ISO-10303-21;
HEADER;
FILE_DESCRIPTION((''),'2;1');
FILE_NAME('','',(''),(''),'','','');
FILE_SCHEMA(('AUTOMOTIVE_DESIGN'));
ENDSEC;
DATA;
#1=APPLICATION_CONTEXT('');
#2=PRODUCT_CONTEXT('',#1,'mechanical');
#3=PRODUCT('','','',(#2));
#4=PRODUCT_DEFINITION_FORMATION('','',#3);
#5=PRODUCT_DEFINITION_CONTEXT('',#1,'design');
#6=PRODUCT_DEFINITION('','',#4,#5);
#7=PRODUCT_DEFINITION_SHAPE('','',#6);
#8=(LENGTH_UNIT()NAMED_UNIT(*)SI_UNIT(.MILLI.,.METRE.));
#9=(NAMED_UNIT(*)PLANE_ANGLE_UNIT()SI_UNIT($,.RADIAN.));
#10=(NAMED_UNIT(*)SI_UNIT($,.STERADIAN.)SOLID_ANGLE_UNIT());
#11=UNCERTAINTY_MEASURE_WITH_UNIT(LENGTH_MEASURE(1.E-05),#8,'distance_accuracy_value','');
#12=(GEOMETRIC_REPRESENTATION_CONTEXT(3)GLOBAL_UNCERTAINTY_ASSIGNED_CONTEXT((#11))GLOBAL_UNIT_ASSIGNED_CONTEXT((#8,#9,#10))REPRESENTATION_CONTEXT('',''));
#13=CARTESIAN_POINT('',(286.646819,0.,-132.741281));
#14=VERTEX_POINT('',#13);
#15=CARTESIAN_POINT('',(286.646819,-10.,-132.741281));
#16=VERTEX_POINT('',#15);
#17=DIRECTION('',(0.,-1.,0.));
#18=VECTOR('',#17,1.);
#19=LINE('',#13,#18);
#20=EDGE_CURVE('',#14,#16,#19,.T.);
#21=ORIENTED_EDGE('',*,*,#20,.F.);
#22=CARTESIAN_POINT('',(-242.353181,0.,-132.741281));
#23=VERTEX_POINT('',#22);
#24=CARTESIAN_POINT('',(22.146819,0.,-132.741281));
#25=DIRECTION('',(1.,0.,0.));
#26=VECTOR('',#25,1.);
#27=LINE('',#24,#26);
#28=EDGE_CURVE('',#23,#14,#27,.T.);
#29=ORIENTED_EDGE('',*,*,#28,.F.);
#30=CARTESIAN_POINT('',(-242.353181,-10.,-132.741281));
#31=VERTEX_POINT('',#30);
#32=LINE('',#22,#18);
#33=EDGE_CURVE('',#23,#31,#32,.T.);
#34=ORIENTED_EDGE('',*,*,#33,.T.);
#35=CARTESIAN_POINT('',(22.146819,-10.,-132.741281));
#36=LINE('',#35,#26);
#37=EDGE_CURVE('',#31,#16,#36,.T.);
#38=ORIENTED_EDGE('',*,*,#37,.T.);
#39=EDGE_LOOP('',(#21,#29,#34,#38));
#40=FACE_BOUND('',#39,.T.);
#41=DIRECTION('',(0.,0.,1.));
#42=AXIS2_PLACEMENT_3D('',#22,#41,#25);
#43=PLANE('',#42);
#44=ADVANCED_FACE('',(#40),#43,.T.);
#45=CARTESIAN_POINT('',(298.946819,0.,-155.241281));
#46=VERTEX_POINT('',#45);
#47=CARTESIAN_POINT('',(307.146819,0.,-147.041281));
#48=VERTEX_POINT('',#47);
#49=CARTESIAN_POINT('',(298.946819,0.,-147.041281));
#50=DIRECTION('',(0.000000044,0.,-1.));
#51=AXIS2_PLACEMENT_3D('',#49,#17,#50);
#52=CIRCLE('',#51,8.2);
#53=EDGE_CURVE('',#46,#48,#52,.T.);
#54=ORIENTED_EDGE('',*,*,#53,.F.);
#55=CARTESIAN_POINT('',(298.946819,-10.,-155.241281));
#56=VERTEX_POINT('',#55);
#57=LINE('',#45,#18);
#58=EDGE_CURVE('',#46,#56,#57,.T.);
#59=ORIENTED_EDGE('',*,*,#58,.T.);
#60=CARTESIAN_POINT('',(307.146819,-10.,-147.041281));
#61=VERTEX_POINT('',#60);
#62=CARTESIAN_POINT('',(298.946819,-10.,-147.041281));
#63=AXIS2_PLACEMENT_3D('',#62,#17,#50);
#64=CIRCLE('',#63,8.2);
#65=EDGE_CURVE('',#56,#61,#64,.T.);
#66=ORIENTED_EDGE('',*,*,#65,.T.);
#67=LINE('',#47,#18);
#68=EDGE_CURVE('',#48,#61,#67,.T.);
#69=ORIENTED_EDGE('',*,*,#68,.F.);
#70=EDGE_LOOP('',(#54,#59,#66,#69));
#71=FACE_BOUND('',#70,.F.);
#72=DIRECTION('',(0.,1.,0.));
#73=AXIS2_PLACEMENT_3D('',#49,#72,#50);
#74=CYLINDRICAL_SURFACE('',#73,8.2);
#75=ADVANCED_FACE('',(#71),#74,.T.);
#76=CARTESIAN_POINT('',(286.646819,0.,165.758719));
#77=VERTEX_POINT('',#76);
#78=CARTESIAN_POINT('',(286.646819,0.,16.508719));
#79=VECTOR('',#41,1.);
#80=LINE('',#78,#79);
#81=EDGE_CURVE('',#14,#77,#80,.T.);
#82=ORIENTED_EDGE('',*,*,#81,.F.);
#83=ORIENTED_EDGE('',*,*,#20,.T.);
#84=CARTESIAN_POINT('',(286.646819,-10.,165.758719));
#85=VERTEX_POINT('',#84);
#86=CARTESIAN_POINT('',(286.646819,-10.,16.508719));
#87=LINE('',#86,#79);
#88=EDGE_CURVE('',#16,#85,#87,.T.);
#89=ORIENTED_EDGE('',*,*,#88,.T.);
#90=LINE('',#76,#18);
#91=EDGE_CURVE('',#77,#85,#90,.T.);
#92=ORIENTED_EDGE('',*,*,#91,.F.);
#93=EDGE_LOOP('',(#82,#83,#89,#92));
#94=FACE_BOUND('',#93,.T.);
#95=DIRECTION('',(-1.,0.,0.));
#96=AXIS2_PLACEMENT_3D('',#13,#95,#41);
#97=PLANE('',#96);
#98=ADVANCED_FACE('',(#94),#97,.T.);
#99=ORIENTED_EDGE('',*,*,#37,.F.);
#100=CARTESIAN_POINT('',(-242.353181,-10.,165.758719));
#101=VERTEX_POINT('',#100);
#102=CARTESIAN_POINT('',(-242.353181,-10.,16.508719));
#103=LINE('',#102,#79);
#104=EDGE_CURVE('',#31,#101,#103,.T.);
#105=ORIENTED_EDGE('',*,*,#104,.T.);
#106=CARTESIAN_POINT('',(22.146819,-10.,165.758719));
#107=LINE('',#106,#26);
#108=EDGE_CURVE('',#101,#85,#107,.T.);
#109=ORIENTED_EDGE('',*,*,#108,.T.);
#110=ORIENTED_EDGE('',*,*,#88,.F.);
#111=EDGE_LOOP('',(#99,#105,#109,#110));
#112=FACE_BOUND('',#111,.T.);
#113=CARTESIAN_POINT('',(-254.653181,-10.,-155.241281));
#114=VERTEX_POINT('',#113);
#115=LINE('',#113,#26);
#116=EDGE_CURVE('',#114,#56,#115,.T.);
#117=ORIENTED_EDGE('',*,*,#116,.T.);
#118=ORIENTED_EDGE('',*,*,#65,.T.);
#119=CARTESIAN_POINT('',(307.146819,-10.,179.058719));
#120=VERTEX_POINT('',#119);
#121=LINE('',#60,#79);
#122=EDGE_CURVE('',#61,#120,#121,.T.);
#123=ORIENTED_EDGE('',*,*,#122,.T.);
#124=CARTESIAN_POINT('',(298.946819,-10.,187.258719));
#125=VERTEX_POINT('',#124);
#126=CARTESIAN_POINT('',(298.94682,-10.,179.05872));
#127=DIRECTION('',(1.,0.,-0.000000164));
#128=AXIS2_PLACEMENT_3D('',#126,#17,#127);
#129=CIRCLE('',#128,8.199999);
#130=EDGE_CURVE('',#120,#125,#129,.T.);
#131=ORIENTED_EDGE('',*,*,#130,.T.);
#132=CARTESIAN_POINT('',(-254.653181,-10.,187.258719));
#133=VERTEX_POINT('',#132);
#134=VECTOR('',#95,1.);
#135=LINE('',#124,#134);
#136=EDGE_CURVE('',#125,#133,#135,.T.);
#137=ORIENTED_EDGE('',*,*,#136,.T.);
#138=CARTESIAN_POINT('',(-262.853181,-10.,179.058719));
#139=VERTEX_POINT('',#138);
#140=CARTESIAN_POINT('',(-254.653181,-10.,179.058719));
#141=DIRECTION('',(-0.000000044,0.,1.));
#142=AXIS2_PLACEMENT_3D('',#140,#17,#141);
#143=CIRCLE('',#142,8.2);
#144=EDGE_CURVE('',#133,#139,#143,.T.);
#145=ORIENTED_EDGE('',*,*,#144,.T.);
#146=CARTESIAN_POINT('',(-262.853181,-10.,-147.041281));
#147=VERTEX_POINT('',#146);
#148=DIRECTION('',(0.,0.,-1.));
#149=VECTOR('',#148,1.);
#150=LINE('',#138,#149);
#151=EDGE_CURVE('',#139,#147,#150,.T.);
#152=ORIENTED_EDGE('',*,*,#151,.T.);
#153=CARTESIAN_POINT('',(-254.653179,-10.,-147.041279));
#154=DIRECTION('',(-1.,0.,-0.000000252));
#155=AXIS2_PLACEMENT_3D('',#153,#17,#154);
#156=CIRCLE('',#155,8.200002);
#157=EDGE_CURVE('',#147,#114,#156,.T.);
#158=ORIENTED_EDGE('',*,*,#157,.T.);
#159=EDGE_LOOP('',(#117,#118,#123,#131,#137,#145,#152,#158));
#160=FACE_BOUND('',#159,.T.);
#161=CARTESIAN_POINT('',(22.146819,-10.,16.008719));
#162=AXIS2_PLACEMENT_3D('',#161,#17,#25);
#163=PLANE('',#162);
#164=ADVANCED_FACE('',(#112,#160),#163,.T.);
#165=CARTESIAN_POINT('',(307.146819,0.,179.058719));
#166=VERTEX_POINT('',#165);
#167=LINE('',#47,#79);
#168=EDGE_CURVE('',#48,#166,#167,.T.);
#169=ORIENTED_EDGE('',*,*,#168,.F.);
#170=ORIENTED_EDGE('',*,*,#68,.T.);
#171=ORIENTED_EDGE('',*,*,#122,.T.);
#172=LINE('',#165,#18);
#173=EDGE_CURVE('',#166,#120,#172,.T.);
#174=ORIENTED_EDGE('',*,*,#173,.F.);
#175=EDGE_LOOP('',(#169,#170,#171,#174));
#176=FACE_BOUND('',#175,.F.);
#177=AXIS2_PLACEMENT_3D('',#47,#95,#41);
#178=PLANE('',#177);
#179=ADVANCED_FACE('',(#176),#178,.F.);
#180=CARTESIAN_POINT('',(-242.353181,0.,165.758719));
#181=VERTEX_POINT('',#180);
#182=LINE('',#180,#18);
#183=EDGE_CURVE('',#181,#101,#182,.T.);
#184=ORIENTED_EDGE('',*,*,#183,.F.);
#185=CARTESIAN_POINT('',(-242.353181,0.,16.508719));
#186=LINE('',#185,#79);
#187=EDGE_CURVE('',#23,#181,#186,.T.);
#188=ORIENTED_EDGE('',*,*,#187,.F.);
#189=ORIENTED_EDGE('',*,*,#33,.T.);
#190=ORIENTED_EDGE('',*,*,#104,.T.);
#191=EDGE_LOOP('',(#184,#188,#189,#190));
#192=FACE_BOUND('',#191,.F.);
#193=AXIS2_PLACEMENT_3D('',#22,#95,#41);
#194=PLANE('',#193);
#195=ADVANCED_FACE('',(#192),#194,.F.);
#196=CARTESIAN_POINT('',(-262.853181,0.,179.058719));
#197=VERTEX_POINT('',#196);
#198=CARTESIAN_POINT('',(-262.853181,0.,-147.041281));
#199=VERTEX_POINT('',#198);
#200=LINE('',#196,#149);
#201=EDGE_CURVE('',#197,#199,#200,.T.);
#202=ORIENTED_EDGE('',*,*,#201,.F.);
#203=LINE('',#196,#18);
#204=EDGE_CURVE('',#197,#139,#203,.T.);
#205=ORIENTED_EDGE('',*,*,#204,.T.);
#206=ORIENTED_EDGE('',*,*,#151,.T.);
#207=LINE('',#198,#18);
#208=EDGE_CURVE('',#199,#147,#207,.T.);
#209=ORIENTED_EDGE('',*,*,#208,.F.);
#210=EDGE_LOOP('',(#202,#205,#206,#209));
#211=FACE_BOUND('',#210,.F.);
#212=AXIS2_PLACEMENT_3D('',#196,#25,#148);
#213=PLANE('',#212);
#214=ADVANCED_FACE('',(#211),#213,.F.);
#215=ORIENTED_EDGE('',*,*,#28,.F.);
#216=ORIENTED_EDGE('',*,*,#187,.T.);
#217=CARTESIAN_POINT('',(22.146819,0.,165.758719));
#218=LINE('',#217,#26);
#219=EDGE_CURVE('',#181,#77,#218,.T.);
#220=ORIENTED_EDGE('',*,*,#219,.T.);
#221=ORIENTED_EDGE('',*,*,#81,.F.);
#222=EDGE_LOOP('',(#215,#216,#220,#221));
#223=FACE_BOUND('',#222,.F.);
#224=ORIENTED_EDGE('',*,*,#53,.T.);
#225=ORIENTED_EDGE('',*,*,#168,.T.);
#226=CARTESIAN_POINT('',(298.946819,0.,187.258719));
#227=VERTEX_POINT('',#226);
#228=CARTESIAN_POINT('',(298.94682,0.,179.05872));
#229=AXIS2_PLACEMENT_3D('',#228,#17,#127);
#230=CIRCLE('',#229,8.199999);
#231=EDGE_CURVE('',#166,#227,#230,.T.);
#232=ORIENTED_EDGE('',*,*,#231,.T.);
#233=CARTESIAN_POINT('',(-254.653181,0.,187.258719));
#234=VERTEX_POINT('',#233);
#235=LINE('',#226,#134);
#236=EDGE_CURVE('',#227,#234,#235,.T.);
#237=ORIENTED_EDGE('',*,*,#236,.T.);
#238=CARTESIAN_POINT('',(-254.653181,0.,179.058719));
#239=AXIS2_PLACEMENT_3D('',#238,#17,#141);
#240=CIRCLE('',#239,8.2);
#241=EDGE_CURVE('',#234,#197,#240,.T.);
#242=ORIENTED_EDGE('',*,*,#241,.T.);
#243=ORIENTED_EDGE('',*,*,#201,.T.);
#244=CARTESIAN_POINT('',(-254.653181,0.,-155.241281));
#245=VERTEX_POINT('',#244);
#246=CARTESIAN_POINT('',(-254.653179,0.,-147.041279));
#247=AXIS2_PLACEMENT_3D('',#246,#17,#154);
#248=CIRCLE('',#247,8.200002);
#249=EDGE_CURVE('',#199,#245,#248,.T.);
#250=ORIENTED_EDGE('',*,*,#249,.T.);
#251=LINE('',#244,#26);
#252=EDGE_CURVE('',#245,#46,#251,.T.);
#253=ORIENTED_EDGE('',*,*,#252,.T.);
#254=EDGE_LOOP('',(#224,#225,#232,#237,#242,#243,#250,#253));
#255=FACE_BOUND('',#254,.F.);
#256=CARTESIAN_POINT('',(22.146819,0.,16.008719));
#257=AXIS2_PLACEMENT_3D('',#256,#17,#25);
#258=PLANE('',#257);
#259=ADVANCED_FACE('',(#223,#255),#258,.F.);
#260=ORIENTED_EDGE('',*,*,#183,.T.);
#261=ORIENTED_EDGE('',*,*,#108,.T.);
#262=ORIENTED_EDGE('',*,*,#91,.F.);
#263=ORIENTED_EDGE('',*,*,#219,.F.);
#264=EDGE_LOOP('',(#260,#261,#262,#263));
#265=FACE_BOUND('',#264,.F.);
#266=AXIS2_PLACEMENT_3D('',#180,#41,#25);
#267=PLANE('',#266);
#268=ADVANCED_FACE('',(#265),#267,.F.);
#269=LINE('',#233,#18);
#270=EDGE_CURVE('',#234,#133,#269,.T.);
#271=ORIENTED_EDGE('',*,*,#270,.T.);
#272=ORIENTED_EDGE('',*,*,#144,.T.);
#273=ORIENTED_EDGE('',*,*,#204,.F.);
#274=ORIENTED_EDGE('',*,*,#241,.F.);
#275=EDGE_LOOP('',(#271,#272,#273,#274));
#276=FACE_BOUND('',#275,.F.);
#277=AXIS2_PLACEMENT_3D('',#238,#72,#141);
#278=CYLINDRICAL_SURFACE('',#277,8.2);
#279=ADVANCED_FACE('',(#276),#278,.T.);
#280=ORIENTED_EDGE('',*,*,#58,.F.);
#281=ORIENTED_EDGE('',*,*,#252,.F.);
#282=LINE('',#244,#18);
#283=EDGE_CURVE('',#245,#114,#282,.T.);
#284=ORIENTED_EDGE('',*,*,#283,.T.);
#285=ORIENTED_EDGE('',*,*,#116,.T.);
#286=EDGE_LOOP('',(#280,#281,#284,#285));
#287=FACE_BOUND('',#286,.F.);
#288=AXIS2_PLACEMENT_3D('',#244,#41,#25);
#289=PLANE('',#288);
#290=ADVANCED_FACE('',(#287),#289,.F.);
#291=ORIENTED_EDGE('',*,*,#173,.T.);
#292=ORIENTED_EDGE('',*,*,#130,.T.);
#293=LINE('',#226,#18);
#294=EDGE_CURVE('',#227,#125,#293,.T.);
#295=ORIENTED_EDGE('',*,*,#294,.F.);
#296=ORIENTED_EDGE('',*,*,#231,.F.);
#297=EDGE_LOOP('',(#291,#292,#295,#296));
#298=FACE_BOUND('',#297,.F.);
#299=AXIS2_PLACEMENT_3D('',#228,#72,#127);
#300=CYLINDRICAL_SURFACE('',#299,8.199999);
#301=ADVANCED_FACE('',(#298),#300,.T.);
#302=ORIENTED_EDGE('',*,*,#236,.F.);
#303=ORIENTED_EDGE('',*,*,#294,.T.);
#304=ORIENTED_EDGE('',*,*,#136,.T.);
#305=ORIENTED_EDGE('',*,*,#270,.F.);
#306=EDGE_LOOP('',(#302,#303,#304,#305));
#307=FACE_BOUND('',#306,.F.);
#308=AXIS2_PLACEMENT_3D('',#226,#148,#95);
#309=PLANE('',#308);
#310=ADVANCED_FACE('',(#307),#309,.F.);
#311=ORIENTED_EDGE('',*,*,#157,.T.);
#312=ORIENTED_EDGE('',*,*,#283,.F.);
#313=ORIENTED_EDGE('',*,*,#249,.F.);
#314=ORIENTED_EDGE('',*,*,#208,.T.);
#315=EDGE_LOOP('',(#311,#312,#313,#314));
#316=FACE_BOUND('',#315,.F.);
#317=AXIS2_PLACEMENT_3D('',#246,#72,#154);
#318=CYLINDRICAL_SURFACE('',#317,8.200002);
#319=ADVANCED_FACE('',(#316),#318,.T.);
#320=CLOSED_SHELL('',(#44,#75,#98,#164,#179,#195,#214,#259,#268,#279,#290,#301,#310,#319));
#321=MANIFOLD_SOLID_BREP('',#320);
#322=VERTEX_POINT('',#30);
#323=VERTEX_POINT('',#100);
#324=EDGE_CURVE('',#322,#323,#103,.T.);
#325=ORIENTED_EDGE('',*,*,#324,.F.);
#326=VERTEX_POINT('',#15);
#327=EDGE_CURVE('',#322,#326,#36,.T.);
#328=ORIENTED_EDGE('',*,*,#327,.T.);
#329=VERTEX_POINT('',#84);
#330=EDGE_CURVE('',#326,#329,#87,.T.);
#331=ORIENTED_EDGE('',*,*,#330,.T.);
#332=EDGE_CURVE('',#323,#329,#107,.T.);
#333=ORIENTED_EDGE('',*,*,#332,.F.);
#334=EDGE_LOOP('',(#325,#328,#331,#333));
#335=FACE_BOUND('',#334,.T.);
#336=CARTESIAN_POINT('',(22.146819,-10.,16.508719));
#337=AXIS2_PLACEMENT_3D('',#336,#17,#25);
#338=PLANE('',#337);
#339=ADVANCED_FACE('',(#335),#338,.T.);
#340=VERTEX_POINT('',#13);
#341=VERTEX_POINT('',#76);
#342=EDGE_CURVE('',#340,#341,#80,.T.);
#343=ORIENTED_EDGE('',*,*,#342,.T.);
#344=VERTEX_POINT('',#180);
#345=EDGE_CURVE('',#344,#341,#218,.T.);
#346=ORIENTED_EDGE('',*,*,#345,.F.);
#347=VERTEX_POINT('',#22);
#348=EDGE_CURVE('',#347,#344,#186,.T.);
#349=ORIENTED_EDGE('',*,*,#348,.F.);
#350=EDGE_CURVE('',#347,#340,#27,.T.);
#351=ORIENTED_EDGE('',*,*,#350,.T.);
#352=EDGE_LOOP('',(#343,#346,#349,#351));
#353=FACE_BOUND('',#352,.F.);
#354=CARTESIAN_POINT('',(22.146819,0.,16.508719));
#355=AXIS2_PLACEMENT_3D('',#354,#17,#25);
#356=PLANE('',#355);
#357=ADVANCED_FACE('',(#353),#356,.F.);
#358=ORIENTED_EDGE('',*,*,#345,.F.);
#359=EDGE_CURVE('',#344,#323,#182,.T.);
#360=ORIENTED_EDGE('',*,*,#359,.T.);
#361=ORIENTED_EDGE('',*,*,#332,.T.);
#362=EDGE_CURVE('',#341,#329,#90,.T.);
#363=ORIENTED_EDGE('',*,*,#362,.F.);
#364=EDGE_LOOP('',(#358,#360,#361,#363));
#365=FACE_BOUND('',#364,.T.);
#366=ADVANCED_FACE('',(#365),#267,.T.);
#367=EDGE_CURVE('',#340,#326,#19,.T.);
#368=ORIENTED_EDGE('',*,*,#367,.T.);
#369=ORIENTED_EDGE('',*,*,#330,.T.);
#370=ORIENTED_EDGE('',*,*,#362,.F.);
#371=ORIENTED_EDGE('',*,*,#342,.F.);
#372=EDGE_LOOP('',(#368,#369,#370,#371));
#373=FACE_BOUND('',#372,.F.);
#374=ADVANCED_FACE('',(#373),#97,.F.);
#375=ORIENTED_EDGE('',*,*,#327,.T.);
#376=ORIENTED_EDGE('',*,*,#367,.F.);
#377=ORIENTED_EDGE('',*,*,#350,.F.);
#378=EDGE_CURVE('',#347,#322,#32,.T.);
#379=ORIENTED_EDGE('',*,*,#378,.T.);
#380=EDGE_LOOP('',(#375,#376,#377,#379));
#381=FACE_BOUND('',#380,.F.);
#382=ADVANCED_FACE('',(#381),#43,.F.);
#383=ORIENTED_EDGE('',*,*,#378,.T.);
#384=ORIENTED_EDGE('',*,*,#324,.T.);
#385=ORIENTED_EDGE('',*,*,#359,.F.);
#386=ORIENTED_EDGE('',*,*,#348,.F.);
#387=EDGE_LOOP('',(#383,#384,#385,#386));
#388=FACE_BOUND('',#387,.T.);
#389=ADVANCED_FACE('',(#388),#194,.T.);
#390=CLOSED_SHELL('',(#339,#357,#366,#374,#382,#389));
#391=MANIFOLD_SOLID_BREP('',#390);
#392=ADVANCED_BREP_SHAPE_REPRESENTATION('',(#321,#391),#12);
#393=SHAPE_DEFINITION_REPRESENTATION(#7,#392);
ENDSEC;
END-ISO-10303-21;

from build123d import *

# Parameters (mm, degrees)
F0_W     = 529
F0_H     = 298.5
F1_DEPTH = 10
F2_DEPTH = 10


with BuildPart() as f1:
    # F0 (on Front) → F1 (new body)
    with BuildSketch(Plane.XZ):
        with BuildLine():
            Line((298.946819, 187.258719), (-254.653181, 187.258719))
            ThreePointArc((-254.653181, 187.258719), (-260.451456, 184.856995), (-262.853181, 179.058719))
            Line((-262.853181, 179.058719), (-262.853181, -147.041281))
            ThreePointArc((-262.853181, -147.041281), (-260.451456, -152.839556), (-254.653181, -155.241281))
            Line((-254.653181, -155.241281), (298.946819, -155.241281))
            ThreePointArc((298.946819, -155.241281), (304.745095, -152.839556), (307.146819, -147.041281))
            Line((307.146819, -147.041281), (307.146819, 179.058719))
            ThreePointArc((307.146819, 179.058719), (304.745095, 184.856995), (298.946819, 187.258719))
        make_face()
        with Locations((22.146819, 16.508719)):
            Rectangle(F0_W, F0_H, mode=Mode.SUBTRACT)
    extrude(amount=F1_DEPTH)


with BuildPart() as f2:
    # F0 (on Front) → F2 (new body)
    with BuildSketch(Plane.XZ):
        with Locations((22.146819, 16.508719)):
            Rectangle(F0_W, F0_H)
    extrude(amount=F2_DEPTH)


solid = Compound([f1.part, f2.part])
